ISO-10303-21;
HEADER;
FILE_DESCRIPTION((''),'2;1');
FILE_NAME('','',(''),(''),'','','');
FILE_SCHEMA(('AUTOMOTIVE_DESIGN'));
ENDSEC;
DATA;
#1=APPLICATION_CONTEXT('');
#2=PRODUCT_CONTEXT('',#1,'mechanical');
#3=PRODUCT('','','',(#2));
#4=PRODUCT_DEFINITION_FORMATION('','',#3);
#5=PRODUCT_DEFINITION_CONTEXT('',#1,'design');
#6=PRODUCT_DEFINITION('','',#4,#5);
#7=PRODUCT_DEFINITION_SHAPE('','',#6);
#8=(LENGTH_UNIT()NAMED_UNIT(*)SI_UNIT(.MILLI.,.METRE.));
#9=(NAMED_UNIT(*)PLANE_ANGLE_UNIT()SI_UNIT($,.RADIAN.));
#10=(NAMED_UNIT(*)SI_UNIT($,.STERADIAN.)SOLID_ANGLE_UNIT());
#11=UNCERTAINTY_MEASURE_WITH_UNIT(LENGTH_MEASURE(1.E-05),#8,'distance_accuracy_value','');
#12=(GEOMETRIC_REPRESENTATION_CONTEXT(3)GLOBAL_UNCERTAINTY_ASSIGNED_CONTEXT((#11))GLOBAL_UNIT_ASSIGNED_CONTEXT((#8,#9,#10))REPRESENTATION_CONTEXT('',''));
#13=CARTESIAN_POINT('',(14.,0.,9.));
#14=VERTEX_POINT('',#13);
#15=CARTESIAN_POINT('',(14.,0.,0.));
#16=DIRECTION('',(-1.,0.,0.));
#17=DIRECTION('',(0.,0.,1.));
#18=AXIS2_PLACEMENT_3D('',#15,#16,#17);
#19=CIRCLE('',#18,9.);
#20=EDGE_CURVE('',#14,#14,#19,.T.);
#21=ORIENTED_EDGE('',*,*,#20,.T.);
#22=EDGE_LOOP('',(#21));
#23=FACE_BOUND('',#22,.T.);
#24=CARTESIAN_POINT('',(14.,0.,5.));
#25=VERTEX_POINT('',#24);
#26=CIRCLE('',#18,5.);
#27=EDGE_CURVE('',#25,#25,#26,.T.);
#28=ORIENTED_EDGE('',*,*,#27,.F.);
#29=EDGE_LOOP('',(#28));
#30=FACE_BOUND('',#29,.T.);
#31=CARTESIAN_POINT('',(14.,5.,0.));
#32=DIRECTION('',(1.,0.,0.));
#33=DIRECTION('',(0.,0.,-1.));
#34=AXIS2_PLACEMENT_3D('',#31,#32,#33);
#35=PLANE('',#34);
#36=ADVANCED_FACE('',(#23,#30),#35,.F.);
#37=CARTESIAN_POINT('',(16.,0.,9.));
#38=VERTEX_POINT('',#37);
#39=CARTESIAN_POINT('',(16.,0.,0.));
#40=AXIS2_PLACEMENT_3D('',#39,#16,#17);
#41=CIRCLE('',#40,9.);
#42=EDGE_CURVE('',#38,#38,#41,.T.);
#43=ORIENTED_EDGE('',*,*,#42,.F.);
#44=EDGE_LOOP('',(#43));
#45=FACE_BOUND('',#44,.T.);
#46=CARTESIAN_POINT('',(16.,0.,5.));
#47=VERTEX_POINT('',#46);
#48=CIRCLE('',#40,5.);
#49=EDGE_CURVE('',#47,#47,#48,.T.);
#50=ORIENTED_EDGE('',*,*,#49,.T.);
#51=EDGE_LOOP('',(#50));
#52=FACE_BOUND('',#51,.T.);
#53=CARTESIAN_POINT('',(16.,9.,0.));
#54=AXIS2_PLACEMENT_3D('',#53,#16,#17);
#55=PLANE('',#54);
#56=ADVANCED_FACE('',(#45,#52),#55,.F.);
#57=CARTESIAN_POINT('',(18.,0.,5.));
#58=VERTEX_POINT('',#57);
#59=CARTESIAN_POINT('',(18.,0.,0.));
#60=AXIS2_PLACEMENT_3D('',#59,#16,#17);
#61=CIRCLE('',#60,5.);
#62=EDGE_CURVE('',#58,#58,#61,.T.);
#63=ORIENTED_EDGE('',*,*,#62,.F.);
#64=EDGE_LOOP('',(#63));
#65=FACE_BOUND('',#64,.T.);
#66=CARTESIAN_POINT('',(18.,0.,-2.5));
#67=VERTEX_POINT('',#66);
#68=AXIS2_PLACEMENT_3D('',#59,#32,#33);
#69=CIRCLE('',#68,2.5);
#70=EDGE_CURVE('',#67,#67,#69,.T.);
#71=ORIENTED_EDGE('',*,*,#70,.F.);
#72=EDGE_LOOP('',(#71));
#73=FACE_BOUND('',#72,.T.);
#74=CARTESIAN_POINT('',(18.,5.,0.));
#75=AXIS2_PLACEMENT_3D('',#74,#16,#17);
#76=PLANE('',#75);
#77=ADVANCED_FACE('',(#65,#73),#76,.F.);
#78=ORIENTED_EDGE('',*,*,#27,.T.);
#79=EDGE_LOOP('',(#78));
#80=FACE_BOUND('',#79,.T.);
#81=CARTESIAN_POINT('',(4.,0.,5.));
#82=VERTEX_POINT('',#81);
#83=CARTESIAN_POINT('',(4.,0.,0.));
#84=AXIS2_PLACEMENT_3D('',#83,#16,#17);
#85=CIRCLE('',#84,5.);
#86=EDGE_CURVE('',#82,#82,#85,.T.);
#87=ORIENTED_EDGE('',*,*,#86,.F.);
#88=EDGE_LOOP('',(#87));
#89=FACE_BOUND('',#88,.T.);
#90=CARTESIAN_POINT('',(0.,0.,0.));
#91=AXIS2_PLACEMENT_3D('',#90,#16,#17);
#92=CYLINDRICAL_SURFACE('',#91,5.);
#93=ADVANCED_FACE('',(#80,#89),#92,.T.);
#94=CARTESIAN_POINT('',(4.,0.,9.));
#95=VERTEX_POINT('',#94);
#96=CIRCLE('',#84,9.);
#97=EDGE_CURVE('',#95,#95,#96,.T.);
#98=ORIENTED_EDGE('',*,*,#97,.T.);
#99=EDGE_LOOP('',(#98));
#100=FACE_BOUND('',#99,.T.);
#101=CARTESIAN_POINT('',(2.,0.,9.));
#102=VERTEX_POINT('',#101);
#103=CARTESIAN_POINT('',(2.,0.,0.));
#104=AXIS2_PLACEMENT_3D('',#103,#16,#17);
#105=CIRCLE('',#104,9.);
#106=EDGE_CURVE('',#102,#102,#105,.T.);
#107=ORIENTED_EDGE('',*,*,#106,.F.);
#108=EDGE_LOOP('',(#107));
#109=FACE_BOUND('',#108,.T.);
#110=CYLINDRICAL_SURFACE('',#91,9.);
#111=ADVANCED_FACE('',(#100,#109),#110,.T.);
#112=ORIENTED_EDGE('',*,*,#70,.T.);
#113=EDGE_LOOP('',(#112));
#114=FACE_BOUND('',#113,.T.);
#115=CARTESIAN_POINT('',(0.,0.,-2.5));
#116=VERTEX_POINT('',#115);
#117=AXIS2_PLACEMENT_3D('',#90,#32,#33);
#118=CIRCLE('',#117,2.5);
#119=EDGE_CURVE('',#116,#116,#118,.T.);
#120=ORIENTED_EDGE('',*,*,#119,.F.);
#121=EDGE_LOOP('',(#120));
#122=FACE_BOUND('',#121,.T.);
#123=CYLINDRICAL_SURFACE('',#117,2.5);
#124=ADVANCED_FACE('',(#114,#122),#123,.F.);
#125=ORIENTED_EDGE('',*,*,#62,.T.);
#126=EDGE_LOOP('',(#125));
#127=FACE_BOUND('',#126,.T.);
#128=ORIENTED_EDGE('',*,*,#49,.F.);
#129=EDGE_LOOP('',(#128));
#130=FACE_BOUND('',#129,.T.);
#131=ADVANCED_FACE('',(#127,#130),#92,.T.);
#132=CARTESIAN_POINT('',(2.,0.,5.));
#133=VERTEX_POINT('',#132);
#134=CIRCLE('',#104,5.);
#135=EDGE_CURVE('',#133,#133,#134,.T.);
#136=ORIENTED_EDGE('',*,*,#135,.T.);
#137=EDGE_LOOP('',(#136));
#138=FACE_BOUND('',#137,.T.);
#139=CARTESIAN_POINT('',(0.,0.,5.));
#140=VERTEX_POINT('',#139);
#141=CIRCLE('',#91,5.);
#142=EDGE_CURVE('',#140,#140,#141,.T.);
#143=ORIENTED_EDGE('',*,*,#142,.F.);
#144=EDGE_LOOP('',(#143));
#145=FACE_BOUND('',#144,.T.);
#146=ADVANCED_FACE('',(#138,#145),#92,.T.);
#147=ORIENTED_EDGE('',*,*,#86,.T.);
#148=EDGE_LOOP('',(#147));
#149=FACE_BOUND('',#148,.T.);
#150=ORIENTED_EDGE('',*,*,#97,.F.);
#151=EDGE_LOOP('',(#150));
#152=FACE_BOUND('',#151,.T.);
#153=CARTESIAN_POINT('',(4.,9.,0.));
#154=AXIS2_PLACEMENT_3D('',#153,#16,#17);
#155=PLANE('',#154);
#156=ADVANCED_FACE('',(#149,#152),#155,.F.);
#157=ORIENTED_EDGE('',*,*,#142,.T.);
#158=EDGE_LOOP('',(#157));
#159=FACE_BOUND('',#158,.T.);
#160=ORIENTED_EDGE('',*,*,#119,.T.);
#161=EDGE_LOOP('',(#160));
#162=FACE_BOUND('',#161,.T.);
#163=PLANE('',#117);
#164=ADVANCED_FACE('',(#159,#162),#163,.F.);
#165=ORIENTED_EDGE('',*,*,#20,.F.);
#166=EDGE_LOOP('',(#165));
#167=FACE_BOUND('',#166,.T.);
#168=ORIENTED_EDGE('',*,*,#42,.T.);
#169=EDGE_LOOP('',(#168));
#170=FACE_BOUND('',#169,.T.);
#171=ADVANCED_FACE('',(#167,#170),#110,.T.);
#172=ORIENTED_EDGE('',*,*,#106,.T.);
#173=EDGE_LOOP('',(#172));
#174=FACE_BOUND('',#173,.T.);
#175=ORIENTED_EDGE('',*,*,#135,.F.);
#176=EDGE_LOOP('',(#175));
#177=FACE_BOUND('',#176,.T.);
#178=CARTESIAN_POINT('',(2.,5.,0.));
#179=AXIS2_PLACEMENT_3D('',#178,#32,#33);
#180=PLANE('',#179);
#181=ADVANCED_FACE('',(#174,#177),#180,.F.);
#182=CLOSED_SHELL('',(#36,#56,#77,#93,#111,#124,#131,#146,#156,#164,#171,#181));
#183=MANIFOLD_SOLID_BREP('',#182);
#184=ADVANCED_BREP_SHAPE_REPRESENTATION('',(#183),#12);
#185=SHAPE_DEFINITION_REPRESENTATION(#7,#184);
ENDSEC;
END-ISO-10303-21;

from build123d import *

# Parameters (mm, degrees)
SKETCH2_R          = 2.5
CUT_EXTRUDE1_DEPTH = 23.045407685


with BuildPart() as part:
    # Sketch1 → Revolve1 (revolve)
    with BuildSketch(Plane.XY, mode=Mode.PRIVATE) as revolve1_sk:
        Polygon((0, 0), (0, 5), (2, 5), (2, 9), (4, 9), (4, 5), (14, 5), (14, 9), (16, 9), (16, 5), (18, 5), (18, 0), align=None)
    revolve(revolve1_sk.sketch.rotate(Axis((0, 0, 0), (1, 0, 0)), 90), axis=Axis((0, 0, 0), (1, 0, 0)))

    # Sketch2 → Cut-Extrude1 (cut, through all)
    with BuildSketch(Plane(origin=(18, 0, 0), x_dir=(0, 0, -1), z_dir=(1, 0, 0))):
        Circle(SKETCH2_R)
    extrude(amount=-CUT_EXTRUDE1_DEPTH, mode=Mode.SUBTRACT)


solid = part.part
